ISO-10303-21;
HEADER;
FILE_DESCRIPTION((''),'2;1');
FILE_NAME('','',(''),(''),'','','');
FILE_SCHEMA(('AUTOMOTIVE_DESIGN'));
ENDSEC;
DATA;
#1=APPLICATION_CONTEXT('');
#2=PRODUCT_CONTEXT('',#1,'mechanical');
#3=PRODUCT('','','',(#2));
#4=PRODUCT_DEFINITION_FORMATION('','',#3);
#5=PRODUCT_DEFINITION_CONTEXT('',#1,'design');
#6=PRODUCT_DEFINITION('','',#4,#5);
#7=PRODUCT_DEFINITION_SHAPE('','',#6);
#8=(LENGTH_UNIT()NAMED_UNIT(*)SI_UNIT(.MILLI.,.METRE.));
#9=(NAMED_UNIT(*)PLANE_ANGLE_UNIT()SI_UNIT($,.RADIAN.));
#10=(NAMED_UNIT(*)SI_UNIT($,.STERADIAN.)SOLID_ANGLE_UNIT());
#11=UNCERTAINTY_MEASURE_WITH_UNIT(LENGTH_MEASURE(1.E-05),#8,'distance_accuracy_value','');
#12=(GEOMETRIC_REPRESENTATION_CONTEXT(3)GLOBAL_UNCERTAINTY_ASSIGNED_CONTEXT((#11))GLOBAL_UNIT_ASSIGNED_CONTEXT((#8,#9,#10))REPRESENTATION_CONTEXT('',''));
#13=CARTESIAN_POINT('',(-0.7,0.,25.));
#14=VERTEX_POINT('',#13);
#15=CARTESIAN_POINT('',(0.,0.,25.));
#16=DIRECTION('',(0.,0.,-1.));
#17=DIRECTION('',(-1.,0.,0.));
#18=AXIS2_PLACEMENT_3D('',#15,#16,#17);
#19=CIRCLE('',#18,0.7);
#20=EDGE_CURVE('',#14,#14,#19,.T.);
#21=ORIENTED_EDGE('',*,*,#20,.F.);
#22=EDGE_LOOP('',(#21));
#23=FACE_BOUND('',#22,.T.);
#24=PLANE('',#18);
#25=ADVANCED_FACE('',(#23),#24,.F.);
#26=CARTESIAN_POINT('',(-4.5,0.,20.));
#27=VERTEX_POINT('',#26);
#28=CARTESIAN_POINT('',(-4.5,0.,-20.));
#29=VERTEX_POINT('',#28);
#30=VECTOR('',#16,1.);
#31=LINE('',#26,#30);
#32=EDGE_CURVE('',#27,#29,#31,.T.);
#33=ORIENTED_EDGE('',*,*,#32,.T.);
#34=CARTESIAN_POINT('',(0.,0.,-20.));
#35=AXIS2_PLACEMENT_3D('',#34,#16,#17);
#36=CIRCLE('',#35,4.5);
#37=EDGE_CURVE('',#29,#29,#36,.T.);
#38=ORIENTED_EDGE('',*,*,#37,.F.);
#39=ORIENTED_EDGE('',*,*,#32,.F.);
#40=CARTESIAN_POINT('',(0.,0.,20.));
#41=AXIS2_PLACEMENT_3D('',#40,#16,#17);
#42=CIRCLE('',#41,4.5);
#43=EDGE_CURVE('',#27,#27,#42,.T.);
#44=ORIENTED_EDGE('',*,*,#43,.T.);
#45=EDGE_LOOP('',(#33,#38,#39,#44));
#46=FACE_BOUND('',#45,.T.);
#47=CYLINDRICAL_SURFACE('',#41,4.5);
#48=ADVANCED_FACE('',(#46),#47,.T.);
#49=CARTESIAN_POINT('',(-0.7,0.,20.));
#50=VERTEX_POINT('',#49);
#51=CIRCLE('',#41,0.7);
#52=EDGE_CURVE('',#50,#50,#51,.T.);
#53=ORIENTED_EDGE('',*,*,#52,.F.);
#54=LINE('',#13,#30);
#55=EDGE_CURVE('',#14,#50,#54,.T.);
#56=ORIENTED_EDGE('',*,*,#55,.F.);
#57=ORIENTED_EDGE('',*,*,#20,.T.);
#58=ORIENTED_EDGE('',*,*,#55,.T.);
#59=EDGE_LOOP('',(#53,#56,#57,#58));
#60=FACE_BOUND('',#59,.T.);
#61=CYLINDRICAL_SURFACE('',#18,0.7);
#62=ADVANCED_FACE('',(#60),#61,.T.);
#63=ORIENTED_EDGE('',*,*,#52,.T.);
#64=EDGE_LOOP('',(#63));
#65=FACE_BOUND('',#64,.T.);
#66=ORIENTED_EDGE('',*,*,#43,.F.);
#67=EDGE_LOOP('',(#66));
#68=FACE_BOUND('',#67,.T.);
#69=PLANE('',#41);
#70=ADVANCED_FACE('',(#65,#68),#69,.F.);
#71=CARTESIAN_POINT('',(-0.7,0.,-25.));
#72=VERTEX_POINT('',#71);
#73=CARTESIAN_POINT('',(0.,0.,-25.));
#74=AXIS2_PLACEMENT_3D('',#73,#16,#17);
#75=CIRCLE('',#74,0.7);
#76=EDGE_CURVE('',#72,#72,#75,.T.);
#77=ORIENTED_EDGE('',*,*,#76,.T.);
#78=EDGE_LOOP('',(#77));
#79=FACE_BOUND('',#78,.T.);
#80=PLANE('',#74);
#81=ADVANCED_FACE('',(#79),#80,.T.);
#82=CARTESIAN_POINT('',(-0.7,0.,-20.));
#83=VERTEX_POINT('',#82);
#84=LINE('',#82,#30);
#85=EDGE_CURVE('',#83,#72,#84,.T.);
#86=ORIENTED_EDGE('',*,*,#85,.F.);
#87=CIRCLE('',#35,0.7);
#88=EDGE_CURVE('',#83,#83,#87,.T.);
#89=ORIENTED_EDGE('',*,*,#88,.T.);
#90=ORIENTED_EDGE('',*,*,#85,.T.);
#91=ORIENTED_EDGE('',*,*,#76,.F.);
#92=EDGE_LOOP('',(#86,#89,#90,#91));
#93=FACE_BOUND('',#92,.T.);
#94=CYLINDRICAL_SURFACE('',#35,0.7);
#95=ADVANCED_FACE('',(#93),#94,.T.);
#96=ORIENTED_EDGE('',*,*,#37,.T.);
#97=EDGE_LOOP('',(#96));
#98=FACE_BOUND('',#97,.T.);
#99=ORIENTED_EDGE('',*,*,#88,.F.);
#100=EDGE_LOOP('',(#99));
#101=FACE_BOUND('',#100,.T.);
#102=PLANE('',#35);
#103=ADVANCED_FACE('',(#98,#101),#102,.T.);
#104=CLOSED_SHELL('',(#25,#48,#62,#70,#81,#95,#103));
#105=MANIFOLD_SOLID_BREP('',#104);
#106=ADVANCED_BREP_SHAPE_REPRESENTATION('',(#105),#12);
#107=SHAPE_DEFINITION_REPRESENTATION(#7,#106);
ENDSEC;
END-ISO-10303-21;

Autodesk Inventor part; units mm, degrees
ref_plane "YZ Plane" through (0, 0, 0) normal (1, 0, 0) x (0, 1, 0)
ref_plane "XZ Plane" through (0, 0, 0) normal (0, 1, 0) x (-1, 0, 0)
ref_plane "XY Plane" through (0, 0, 0) normal (0, 0, 1) x (1, 0, 0)
sketch "Sketch1" plane through (0, 0, 0) normal (0, 1, 0) x (-1, 0, 0)
  line L0 (0, 25) -> (0, -25)
  line L1 (0, 25) -> (0.7, 25)
  line L2 (0.7, 25) -> (0.7, 20)
  line L3 (0.7, 20) -> (4.5, 20)
  line L4 (4.5, 20) -> (4.5, -20)
  line L5 (4.5, -20) -> (0.7, -20)
  line L6 (0.7, -20) -> (0.7, -25)
  line L7 (0.7, -25) -> (0, -25)
  point P0 (0, 0)
  point P1 (0, 0)
  dimension "d0" = 9
  dimension "d1" = 1.4
  dimension "d2" = 5
  dimension "d3" = 40
revolve "Revolution1" add sketch "Sketch1" angle 360 about axis through (0, 0, 25) along (0, 0, -1)
properties part number "15kOhmResistor"
